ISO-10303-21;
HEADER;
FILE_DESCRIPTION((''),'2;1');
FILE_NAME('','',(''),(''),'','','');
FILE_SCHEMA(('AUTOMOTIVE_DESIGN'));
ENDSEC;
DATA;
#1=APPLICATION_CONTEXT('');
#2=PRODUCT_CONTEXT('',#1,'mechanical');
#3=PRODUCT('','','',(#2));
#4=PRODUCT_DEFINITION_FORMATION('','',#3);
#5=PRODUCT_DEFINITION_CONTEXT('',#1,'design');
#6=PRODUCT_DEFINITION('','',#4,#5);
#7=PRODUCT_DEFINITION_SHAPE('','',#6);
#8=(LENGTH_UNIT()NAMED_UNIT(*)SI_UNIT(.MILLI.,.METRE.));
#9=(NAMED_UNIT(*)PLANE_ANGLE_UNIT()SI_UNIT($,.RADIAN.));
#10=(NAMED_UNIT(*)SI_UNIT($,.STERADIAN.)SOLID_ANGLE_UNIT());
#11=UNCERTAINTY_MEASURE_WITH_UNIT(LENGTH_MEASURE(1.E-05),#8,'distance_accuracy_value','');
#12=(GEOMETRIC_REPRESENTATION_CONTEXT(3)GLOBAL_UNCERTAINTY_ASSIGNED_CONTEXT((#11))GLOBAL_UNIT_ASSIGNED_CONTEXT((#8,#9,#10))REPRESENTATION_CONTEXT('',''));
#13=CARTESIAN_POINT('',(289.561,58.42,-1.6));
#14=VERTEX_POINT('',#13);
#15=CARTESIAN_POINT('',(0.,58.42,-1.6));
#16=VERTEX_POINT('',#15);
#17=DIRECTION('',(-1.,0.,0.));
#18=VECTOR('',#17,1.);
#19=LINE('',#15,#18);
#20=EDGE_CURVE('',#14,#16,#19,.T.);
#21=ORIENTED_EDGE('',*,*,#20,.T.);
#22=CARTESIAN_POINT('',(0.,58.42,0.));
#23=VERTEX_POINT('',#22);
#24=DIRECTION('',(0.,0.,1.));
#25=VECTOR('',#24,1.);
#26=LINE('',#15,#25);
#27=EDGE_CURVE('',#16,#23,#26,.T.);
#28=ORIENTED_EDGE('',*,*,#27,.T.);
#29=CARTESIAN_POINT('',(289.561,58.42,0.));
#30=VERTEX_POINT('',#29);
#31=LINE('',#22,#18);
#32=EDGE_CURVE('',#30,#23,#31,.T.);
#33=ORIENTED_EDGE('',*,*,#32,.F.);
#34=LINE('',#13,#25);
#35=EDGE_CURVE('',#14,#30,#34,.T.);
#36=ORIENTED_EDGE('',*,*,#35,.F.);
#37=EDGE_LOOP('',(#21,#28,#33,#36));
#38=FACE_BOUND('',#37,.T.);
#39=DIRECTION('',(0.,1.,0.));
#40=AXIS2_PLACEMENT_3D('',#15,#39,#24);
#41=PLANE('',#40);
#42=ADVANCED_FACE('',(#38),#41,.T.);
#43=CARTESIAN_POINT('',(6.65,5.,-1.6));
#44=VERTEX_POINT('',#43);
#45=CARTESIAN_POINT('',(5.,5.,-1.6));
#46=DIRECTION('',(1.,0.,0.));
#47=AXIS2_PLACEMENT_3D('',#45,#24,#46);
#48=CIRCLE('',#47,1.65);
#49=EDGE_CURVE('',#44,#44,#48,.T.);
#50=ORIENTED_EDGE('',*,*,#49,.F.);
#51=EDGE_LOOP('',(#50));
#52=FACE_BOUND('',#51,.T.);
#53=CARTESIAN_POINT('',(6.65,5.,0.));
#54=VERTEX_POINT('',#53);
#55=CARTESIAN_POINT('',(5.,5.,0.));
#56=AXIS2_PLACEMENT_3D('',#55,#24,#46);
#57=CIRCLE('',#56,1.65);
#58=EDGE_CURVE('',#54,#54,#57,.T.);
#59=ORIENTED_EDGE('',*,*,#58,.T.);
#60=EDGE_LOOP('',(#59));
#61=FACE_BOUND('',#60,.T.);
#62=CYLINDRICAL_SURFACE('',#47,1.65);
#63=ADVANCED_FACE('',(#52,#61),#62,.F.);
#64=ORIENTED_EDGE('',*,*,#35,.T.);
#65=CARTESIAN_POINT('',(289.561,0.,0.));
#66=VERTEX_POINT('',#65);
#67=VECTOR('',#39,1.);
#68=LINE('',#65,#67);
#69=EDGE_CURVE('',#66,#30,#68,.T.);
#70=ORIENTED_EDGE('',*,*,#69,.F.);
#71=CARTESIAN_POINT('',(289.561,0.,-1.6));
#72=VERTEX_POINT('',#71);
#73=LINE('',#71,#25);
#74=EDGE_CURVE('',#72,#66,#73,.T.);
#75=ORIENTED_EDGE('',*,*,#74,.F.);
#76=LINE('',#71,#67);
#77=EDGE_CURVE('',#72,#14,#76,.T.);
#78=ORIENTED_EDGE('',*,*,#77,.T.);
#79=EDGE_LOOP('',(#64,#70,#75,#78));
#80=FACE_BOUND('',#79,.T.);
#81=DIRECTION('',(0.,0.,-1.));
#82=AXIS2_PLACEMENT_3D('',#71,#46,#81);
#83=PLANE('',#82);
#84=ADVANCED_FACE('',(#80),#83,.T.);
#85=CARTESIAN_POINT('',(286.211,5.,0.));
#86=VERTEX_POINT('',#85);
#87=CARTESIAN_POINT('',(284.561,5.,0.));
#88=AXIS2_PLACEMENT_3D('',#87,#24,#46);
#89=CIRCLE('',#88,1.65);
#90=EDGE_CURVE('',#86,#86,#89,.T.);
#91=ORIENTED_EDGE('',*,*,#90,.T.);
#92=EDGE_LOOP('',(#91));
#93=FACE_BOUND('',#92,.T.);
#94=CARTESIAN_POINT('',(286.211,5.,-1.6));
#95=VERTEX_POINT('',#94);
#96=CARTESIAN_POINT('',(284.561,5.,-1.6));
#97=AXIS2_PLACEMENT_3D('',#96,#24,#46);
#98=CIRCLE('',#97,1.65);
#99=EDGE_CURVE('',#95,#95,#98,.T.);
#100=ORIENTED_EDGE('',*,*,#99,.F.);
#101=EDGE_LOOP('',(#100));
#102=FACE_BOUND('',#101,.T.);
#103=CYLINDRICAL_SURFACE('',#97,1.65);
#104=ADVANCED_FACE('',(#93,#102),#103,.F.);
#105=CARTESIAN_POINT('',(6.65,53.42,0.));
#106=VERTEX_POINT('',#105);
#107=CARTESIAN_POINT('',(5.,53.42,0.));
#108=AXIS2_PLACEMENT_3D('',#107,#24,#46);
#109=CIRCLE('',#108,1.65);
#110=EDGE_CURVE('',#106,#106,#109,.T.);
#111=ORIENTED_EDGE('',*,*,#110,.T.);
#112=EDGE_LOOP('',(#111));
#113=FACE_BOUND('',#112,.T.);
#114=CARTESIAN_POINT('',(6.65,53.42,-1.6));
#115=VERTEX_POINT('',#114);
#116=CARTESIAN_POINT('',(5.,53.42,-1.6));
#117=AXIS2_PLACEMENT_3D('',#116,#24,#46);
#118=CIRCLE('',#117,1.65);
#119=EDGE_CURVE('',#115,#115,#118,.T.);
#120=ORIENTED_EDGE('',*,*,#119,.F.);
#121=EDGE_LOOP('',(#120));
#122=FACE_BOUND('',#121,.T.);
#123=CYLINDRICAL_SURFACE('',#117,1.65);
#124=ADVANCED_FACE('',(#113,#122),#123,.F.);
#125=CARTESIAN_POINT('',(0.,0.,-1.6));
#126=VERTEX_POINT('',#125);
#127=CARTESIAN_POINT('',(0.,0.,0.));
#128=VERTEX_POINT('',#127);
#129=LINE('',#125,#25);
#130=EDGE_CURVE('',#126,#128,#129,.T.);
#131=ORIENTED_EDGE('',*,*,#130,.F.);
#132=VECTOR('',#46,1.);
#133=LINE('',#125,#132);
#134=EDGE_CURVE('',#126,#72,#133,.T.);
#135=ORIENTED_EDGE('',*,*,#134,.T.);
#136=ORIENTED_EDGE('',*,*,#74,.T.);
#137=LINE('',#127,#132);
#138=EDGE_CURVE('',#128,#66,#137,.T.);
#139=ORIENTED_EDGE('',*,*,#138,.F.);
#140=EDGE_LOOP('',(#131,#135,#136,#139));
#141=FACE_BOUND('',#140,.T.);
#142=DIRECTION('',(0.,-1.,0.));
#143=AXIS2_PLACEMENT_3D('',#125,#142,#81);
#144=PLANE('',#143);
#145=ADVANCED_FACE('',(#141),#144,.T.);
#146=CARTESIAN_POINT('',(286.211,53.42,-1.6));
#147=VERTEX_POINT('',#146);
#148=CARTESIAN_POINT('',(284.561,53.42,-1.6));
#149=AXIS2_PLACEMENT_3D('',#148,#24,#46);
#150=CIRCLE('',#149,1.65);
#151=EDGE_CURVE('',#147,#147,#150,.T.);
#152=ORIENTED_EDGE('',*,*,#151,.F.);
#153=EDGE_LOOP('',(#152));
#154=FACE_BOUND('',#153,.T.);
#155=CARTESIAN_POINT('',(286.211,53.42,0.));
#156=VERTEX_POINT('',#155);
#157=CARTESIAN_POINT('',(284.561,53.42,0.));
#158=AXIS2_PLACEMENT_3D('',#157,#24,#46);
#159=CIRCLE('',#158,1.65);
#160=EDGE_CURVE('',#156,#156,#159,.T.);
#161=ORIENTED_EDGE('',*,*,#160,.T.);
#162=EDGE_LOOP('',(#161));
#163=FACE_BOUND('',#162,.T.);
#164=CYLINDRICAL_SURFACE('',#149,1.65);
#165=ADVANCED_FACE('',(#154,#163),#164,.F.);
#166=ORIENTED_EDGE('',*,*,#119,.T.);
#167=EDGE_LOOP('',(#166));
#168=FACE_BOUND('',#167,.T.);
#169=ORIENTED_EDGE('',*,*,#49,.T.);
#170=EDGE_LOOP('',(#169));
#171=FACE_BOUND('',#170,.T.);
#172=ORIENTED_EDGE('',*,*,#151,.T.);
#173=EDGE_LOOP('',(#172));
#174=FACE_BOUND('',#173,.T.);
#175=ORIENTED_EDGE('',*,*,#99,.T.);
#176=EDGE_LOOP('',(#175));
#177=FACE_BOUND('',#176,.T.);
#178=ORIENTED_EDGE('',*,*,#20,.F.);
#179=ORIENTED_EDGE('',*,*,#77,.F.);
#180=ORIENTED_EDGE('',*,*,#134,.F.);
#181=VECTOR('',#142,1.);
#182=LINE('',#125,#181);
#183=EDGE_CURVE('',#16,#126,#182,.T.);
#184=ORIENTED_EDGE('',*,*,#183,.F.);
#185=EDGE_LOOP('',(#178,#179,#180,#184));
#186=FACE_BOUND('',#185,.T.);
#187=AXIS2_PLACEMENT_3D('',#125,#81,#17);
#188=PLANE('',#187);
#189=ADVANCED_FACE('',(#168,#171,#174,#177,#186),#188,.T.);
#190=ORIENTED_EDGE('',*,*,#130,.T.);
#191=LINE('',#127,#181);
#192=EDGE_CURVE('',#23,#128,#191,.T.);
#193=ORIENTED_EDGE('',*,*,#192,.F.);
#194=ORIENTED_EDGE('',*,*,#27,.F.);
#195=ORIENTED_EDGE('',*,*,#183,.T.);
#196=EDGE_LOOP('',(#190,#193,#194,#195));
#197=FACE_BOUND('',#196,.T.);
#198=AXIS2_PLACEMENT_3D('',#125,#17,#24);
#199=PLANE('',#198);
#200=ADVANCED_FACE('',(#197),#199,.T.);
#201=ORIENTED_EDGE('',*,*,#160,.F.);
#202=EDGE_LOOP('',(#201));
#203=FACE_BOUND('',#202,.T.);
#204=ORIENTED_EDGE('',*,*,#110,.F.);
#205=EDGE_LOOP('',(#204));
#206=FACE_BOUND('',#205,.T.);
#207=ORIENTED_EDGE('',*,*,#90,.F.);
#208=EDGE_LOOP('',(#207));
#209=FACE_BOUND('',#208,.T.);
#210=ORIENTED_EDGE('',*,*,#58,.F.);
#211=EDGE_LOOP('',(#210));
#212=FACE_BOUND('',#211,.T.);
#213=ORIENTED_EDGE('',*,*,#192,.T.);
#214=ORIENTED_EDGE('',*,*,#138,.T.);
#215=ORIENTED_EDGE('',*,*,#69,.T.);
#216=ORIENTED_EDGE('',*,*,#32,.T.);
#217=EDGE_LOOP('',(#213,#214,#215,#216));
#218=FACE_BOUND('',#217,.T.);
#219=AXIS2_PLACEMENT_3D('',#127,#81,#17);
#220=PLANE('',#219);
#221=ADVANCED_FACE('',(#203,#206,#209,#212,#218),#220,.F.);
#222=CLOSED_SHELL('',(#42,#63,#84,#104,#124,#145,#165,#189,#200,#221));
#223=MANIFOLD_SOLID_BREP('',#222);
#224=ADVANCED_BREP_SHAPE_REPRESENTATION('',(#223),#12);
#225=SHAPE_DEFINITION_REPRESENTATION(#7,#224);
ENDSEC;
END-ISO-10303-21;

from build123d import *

# Parameters (mm, degrees)
SZKIC1_W                    = 289.561
SZKIC1_H                    = 58.42
SZKIC1_R                    = 1.65
DODANIE_WYCI_GNI_CIE1_DEPTH = 1.6


with BuildPart() as part:
    # Szkic1 → Dodanie-wyciągnięcie1 (new body)
    with BuildSketch(Plane.XY):
        with Locations((144.7805, 29.21)):
            Rectangle(SZKIC1_W, SZKIC1_H)
        with Locations((284.561, 5)):
            Circle(SZKIC1_R, mode=Mode.SUBTRACT)
        with Locations((284.561, 53.42)):
            Circle(SZKIC1_R, mode=Mode.SUBTRACT)
        with Locations((5, 53.42)):
            Circle(SZKIC1_R, mode=Mode.SUBTRACT)
        with Locations((5, 5)):
            Circle(SZKIC1_R, mode=Mode.SUBTRACT)
    extrude(amount=-DODANIE_WYCI_GNI_CIE1_DEPTH)


solid = part.part
